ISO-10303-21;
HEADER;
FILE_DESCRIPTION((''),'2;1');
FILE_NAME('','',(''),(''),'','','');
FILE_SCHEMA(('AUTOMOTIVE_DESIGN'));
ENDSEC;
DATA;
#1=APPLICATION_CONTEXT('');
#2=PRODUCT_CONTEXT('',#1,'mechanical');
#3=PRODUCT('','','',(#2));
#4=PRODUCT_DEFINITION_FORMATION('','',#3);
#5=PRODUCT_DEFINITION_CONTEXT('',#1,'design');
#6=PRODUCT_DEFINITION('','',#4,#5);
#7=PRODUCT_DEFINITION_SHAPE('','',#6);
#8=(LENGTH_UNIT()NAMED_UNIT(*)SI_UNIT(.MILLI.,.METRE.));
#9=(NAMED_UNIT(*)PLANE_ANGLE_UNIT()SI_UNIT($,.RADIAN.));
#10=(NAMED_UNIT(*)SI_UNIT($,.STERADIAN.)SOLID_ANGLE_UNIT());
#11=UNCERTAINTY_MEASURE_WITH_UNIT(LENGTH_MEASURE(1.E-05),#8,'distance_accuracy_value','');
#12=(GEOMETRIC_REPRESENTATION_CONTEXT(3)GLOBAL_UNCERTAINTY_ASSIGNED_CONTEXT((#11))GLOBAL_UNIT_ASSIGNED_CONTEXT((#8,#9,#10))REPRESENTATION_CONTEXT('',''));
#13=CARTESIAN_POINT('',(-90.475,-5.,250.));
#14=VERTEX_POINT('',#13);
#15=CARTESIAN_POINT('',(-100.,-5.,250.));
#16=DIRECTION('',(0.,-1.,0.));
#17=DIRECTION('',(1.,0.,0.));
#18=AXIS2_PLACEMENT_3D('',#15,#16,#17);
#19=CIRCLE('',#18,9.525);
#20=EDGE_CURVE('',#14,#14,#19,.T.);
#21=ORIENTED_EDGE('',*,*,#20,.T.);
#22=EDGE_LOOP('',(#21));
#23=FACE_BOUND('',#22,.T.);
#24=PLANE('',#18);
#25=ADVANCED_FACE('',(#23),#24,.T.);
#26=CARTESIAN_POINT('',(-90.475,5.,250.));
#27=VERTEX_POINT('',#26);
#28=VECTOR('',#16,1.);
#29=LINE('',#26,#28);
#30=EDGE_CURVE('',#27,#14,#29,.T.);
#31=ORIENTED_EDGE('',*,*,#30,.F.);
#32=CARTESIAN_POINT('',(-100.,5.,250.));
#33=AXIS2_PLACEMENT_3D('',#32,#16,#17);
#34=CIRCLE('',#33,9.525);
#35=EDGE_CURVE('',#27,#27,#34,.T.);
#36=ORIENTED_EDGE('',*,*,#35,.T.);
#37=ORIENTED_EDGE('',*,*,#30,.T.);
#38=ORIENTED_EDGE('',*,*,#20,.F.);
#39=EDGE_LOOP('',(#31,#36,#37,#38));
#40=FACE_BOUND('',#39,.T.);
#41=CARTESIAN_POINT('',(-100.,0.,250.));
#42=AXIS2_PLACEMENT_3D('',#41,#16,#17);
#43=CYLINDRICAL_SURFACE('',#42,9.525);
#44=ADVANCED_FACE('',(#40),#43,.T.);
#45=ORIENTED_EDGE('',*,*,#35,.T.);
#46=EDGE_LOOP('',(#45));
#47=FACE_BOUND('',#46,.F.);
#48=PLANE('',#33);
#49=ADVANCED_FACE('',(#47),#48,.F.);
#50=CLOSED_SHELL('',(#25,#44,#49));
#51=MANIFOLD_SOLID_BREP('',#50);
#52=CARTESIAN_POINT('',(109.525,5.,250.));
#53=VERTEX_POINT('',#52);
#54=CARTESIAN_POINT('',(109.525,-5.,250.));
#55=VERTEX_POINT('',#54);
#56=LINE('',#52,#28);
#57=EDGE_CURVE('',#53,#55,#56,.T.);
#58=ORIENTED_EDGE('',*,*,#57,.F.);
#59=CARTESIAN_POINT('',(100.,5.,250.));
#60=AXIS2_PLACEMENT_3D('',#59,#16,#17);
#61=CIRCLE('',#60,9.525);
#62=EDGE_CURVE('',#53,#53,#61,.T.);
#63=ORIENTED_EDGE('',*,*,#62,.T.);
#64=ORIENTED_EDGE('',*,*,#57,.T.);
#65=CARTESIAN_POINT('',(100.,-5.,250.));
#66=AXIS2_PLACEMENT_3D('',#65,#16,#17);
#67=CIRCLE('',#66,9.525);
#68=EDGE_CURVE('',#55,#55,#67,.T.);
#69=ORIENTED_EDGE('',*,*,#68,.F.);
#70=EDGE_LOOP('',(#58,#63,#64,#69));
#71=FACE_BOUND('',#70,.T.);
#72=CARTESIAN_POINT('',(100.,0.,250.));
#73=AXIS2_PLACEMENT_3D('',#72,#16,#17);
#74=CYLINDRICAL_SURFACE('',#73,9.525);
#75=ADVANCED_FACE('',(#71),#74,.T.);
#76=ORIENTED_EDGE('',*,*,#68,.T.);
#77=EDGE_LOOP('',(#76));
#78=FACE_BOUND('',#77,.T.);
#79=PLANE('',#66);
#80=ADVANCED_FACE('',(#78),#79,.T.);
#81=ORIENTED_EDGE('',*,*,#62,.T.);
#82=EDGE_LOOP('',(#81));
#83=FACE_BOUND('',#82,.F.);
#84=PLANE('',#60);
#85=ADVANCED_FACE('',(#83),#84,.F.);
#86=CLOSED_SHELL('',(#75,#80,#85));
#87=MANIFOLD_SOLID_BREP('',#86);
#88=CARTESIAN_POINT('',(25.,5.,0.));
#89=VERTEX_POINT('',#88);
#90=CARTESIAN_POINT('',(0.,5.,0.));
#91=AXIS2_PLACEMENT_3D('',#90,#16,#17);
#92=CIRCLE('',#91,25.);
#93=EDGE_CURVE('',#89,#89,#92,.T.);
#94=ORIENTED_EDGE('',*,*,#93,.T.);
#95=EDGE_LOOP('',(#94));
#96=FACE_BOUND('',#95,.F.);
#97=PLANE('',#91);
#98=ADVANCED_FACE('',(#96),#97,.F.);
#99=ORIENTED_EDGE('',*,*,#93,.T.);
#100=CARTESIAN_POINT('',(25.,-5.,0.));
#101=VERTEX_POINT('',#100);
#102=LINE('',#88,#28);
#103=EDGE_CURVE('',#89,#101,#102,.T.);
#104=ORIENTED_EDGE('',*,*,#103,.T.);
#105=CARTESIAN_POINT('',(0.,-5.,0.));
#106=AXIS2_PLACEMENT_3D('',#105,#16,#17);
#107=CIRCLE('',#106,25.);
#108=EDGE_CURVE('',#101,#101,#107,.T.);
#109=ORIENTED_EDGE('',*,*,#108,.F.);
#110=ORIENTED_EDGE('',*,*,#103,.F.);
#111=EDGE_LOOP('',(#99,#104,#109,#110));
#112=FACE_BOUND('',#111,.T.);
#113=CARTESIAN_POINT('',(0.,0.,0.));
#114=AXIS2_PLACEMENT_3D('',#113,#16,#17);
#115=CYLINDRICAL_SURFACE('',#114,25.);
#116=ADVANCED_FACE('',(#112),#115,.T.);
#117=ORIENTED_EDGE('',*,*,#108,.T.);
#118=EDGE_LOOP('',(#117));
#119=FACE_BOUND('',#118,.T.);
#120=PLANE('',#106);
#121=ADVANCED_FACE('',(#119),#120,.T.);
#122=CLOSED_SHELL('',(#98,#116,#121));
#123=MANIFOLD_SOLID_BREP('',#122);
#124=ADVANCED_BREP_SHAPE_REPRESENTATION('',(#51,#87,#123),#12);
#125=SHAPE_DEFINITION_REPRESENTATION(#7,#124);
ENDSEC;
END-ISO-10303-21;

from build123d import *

# Parameters (mm, degrees)
F0_R          = 25
F0_R_2        = 9.525
F1_DEPTH      = 5
F1_DEPTH_BACK = 5


with BuildPart() as f1:
    # F0 (on Front) → F1 (new body, two sides)
    with BuildSketch(Plane.XZ) as f1_sk:
        Circle(F0_R)
        with Locations((-100, 250)):
            Circle(F0_R_2)
        with Locations((100, 250)):
            Circle(F0_R_2)
    extrude(amount=F1_DEPTH)
    extrude(f1_sk.sketch, amount=-F1_DEPTH_BACK)


solid = f1.part
